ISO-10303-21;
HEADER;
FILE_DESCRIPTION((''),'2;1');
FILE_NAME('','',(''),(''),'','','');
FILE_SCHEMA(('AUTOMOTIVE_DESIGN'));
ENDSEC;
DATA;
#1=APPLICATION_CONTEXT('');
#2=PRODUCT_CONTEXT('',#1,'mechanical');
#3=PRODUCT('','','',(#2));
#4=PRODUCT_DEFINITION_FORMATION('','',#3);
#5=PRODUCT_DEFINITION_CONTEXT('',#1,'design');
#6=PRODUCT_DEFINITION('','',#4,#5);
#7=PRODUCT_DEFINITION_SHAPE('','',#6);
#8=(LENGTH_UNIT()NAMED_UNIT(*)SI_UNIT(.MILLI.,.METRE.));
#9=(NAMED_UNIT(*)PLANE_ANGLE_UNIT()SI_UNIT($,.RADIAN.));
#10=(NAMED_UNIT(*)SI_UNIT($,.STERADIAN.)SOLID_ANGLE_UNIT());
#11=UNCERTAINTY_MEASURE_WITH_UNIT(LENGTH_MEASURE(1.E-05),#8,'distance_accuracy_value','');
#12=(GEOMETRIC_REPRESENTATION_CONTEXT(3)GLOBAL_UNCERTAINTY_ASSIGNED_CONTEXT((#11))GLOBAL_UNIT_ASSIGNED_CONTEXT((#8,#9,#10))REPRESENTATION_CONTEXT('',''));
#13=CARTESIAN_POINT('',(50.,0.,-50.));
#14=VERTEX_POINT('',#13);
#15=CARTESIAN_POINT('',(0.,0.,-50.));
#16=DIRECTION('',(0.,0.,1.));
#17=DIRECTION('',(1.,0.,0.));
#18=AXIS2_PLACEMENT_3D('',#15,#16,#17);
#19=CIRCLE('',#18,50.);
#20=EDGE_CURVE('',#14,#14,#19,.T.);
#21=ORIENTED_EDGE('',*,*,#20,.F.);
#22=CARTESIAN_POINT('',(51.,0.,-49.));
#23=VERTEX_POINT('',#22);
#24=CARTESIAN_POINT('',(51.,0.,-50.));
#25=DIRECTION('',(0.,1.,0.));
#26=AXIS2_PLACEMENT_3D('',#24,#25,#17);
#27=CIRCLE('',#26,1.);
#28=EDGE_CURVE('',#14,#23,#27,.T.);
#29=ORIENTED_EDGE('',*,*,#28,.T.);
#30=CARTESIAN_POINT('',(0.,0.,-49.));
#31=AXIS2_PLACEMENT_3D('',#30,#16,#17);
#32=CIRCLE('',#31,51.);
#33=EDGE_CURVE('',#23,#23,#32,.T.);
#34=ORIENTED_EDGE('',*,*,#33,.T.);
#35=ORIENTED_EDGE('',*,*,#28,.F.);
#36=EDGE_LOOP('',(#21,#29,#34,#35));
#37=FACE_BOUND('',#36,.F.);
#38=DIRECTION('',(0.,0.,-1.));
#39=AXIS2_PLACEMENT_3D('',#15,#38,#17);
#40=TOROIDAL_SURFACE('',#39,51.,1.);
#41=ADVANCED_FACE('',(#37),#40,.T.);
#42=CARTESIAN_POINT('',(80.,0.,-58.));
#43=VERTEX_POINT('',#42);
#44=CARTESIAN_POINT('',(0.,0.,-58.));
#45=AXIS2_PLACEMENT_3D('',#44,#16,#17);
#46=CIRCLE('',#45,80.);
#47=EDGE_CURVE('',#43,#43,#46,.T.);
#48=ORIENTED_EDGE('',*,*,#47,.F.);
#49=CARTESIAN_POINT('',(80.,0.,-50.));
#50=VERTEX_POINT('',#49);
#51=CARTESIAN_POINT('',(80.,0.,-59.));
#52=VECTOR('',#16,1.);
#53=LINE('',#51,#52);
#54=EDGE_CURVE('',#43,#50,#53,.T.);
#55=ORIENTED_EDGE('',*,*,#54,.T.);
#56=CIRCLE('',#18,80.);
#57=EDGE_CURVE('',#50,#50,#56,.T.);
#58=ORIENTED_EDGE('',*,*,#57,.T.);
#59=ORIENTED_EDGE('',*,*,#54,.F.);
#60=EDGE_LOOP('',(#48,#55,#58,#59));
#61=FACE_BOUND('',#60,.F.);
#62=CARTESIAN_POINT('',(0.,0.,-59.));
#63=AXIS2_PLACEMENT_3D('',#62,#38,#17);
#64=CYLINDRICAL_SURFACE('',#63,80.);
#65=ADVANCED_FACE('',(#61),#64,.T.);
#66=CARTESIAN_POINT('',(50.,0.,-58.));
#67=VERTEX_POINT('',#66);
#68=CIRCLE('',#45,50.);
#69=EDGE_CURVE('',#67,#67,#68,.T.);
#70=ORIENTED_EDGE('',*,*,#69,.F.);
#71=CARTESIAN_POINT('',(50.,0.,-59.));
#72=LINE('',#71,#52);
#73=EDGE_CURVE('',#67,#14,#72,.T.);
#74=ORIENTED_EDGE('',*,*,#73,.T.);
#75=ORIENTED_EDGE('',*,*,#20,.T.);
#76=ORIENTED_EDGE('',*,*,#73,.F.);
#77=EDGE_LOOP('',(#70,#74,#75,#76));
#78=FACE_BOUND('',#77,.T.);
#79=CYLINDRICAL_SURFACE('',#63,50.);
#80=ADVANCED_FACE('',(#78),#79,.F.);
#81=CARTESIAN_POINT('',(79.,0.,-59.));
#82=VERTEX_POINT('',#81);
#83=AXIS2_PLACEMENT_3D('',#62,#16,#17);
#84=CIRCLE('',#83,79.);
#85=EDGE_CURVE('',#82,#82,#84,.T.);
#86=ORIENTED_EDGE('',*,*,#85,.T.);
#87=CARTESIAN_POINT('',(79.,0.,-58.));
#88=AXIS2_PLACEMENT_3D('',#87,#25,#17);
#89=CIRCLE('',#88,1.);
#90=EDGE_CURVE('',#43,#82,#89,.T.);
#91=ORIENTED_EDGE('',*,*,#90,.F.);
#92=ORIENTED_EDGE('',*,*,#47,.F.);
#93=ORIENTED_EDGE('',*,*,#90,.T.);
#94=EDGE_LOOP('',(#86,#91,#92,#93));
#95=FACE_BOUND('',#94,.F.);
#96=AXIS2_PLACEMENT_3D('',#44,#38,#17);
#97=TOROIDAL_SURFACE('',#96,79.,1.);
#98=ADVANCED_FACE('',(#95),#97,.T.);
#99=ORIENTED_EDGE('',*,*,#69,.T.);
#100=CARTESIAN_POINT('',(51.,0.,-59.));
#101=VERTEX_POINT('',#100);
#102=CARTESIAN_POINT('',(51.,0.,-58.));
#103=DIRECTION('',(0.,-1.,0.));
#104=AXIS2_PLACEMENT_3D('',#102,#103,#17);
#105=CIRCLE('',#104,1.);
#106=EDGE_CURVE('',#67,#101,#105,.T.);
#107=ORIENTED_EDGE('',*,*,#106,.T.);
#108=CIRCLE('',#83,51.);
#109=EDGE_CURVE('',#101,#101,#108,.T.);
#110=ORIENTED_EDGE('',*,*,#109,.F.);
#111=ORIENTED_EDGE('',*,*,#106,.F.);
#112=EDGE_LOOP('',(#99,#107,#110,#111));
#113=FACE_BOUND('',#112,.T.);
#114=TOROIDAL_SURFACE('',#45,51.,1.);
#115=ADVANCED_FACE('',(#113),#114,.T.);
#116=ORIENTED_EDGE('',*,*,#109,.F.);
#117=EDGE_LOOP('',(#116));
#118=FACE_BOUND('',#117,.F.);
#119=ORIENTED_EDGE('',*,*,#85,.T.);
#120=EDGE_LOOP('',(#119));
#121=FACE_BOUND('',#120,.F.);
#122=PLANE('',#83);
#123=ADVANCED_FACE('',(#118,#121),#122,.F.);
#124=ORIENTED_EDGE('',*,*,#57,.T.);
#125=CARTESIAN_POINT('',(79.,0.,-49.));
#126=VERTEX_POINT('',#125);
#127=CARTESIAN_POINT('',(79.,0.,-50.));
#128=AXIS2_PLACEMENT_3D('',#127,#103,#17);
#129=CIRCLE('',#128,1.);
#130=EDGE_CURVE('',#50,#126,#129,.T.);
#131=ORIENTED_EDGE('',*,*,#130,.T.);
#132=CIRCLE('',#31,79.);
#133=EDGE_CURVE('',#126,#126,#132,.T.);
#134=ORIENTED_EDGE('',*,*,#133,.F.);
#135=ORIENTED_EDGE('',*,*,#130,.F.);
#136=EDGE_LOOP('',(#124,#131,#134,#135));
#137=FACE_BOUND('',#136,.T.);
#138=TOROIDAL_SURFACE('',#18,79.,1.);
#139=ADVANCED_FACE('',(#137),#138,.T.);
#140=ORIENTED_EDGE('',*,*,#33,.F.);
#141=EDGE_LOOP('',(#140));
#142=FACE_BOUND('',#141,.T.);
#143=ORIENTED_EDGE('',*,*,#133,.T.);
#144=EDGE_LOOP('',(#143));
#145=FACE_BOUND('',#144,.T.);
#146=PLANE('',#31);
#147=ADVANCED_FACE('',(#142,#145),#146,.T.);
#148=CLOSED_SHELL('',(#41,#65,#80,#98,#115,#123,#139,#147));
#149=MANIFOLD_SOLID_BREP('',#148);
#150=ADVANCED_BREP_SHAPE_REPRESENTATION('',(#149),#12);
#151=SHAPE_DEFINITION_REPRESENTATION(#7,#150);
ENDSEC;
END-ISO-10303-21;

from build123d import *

# Parameters (mm, degrees)
SKETCH001_R   = 80
SKETCH001_R_2 = 50
PAD001_DEPTH  = 10
FILLET001_R   = 1


with BuildPart() as part:
    # Sketch001 → Pad001 (new body)
    with BuildSketch(Plane.XY):
        Circle(SKETCH001_R)
        Circle(SKETCH001_R_2, mode=Mode.SUBTRACT)
    extrude(amount=PAD001_DEPTH)

    # Fillet001
    fillet001_edges = [part.edges().sort_by_distance(p)[0] for p in [
        (-80, 0, 10),
        (-80, 0, 0),
        (-50, 0, 10),
        (-50, 0, 0),
    ]]
    fillet(fillet001_edges, radius=FILLET001_R)


with BuildPart() as part_1:
    # Body001 placement: moved
    add(part.part.moved(Location((0, 0, -59))))


solid = part_1.part
